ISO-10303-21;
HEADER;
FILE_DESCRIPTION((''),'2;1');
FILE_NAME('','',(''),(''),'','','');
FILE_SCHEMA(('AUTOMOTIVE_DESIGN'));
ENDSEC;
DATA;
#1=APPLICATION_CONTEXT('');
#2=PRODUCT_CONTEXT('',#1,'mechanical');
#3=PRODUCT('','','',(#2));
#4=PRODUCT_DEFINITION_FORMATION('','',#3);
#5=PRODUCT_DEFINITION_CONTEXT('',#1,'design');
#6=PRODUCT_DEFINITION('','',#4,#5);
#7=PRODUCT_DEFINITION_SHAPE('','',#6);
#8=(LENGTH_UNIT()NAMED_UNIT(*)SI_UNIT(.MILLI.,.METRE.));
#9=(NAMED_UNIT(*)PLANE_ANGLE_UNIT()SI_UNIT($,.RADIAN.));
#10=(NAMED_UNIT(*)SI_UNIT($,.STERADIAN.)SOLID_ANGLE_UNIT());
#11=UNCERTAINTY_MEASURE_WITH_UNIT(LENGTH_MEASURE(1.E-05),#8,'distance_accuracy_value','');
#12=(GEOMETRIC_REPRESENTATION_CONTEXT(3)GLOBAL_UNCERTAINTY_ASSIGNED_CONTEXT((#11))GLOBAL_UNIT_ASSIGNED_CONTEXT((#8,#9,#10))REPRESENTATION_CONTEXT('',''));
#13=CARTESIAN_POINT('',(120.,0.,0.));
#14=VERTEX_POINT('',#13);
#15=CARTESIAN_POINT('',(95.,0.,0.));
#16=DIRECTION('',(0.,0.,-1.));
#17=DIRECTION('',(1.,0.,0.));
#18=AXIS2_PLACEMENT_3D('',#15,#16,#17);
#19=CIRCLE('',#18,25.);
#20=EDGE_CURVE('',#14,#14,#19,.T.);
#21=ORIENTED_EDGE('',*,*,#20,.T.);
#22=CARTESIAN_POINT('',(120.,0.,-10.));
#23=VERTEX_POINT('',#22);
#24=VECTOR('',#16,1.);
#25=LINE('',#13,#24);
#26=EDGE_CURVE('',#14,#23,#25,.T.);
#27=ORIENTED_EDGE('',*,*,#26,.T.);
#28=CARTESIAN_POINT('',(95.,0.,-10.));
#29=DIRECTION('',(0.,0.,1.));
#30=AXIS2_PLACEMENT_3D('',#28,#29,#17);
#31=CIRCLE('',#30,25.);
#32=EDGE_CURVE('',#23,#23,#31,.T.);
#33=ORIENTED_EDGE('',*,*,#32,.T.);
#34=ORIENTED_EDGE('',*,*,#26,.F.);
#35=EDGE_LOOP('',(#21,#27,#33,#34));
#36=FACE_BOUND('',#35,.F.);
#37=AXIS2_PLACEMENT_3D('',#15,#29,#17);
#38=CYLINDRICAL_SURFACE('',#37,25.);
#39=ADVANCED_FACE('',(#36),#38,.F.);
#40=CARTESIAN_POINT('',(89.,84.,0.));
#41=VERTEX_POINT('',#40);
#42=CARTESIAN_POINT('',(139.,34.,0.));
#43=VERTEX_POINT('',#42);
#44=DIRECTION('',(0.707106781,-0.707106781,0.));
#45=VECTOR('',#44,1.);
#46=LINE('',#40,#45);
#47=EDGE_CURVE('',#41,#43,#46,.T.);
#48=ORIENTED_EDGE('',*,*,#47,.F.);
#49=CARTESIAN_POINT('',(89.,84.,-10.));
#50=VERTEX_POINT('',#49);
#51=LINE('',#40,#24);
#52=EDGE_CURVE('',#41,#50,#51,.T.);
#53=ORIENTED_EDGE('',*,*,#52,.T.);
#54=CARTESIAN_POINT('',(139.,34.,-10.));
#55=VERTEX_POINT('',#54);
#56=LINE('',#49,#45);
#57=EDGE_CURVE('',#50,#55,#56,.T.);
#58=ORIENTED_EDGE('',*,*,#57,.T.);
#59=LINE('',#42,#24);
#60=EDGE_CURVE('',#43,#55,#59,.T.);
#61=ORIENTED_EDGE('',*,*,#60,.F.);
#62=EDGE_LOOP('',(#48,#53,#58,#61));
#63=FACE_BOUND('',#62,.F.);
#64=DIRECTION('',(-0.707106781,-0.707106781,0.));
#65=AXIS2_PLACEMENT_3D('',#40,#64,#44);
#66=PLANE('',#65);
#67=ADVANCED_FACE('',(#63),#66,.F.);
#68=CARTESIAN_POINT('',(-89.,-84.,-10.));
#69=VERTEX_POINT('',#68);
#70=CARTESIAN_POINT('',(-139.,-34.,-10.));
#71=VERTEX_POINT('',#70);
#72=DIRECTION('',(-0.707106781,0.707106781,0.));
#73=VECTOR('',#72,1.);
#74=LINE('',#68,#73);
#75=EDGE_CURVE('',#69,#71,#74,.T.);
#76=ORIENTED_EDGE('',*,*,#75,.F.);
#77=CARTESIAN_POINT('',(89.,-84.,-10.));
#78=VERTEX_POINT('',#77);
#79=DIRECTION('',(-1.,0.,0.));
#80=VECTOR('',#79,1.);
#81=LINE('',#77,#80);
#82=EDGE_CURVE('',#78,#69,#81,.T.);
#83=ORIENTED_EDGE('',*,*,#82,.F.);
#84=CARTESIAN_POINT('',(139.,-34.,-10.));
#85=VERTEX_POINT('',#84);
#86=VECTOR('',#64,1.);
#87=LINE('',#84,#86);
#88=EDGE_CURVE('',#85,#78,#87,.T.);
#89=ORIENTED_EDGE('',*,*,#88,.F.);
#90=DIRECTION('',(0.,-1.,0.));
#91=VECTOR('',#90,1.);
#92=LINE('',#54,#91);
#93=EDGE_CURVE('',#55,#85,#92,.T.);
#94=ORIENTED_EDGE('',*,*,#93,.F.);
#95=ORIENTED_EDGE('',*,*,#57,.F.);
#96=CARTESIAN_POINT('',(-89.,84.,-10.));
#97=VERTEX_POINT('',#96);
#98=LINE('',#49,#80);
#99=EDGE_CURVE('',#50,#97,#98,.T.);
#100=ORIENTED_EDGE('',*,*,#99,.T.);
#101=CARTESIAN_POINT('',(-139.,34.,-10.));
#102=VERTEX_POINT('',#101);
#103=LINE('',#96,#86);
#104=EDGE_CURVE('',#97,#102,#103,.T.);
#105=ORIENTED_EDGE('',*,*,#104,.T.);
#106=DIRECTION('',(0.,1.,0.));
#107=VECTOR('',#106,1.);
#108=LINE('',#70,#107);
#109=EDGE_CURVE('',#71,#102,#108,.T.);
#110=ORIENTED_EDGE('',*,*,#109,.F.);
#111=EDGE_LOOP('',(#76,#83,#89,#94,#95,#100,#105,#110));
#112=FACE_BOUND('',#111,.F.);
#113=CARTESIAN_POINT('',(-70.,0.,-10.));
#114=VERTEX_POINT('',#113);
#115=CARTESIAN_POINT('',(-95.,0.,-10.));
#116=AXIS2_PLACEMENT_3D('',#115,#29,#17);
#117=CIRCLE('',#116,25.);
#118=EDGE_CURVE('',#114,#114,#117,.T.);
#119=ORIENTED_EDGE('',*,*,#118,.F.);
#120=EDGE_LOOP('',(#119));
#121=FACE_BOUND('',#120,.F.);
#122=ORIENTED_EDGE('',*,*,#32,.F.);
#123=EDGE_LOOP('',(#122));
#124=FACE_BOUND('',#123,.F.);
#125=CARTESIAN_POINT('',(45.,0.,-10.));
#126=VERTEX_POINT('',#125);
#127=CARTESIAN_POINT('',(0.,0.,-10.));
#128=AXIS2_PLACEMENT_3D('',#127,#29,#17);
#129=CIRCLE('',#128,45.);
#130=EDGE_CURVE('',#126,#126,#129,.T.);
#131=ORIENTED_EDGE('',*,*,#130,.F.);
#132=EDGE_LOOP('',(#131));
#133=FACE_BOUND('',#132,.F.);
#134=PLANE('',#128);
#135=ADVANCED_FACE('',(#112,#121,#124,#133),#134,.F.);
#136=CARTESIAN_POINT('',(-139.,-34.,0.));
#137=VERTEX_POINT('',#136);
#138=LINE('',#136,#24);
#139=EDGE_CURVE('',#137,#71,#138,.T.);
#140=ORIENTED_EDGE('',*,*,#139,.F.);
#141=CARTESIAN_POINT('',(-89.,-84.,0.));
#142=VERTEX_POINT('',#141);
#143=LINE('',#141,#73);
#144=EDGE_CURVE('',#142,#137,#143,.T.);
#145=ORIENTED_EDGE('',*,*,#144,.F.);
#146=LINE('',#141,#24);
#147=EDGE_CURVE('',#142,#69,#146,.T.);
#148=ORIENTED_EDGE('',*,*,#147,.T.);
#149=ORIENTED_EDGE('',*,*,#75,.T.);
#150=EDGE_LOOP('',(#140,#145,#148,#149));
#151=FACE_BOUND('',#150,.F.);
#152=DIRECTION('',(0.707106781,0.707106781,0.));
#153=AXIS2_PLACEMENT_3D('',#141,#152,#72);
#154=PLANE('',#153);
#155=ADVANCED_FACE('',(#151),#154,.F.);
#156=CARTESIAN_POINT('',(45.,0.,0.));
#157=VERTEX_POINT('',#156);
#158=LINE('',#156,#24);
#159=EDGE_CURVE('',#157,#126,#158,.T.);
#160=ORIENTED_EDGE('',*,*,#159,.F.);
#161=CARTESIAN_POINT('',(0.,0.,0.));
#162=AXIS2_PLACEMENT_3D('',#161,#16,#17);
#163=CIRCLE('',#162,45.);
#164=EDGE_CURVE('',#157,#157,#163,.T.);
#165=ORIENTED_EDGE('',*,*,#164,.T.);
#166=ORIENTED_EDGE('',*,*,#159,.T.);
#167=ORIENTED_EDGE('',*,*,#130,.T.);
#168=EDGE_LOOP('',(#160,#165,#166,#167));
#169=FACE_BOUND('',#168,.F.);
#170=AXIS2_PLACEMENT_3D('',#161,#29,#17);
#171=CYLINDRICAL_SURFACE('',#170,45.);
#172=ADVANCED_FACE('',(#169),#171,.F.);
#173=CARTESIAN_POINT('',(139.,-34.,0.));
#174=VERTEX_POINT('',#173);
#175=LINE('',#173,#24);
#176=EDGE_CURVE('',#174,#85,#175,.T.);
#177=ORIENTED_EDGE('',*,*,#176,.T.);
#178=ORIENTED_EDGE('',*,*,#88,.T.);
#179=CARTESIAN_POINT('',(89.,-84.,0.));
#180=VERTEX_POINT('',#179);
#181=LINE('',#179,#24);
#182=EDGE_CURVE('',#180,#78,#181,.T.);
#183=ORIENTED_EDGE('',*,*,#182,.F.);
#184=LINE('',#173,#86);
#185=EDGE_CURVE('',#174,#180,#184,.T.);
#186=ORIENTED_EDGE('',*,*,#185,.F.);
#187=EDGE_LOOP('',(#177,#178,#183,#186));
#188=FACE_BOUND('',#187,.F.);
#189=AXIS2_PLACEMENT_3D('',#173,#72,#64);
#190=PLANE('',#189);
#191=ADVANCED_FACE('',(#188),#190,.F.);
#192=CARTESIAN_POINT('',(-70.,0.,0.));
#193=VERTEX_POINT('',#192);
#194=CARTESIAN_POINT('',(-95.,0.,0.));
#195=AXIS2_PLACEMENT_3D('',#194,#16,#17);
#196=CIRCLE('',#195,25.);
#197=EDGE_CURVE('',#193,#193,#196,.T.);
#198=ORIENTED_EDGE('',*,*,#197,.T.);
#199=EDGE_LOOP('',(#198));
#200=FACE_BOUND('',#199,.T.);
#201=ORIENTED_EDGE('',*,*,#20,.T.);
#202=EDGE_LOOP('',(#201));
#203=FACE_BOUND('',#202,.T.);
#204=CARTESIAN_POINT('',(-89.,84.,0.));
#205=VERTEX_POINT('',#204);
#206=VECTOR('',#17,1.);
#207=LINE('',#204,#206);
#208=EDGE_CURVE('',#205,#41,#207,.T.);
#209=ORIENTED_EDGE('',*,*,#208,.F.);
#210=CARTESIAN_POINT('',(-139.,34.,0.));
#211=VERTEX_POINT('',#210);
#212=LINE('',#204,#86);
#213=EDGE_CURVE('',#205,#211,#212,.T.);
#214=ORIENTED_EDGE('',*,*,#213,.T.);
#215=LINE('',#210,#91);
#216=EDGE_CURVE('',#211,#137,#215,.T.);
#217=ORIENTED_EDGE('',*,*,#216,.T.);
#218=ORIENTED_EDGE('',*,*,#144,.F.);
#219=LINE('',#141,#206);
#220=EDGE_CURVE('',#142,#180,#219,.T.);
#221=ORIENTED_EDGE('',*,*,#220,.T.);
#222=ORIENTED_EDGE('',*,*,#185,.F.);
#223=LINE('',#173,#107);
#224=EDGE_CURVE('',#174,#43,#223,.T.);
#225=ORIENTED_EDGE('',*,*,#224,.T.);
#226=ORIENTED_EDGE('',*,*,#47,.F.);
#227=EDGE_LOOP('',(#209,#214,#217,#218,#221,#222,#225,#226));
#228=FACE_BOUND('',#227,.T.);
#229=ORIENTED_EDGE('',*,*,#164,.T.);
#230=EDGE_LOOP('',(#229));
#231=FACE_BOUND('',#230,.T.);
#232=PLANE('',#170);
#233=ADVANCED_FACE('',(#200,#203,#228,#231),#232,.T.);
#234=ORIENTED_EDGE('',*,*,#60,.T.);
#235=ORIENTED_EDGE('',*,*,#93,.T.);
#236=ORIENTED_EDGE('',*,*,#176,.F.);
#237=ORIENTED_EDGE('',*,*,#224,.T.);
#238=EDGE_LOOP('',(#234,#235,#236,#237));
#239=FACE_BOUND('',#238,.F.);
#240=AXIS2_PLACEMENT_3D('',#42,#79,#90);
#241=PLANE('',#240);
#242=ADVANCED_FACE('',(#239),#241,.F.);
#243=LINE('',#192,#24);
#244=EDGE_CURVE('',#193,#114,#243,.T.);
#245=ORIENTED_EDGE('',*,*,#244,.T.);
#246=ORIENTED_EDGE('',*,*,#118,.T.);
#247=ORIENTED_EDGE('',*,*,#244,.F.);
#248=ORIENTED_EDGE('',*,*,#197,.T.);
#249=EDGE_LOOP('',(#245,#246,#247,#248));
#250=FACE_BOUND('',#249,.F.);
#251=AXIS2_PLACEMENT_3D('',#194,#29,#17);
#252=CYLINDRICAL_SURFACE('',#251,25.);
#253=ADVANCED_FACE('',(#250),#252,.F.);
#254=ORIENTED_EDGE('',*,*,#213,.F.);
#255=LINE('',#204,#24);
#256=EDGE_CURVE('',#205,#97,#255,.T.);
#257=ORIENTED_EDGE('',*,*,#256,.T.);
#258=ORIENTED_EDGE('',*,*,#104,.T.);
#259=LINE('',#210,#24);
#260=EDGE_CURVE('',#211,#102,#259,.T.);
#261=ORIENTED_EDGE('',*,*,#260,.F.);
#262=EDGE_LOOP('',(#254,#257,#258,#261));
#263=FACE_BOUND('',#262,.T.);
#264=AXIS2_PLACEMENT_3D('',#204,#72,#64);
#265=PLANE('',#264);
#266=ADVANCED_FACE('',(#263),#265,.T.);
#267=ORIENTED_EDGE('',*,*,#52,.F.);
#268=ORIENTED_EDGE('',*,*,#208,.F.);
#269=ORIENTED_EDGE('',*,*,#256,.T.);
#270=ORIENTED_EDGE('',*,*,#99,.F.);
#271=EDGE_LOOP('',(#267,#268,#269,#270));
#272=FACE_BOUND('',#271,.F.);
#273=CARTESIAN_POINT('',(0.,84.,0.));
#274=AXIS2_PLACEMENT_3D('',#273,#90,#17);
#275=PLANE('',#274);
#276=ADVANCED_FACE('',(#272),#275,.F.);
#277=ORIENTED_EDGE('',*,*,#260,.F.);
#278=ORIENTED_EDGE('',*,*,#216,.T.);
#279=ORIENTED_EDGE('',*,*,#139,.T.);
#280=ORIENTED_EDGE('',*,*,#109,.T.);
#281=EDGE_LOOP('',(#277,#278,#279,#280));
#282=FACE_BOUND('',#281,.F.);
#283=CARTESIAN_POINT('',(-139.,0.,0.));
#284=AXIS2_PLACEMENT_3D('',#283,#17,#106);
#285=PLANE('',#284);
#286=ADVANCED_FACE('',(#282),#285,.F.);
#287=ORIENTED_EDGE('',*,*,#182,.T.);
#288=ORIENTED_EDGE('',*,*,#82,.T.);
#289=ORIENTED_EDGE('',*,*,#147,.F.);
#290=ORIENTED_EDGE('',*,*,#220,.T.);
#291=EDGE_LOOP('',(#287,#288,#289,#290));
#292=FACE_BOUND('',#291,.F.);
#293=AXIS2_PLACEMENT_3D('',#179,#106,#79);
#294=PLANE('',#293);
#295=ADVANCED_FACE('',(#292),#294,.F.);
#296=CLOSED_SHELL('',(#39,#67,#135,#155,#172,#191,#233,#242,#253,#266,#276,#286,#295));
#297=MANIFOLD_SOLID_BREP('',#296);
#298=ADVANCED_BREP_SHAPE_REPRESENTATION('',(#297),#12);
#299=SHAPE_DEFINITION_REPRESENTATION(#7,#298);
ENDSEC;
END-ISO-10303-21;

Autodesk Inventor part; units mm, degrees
ref_plane "YZ Plane" through (0, 0, 0) normal (1, 0, 0) x (0, 1, 0)
ref_plane "XZ Plane" through (0, 0, 0) normal (0, 1, 0) x (-1, 0, 0)
ref_plane "XY Plane" through (0, 0, 0) normal (0, 0, 1) x (1, 0, 0)
sketch "Sketch1" plane through (0, 0, 0) normal (0, 0, 1) x (1, 0, 0)
  line L0 (0, 117.6) -> (0, -117.6) projected
  line L1 (-194.6, 0) -> (194.6, 0) projected
  line L2 (-89, 84) -> (89, 84)
  line L3 (139, 34) -> (139, -34)
  line L4 (89, -84) -> (-89, -84)
  line L5 (-139, -34) -> (-139, 34)
  circle A0 centre (-95, 0) radius 25
  circle A1 centre (95, 0) radius 25
  circle A2 centre (0, 0) radius 45
  line L6 (-89, 84) -> (-139, 34)
  line L7 (89, 84) -> (139, 34)
  line L8 (139, -34) -> (89, -84)
  line L9 (-89, -84) -> (-139, -34)
  point P0 (-139, 84)
  point P1 (139, 84)
  point P2 (-139, -84)
  point P3 (139, -84)
  dimension "d0" = 278
  dimension "d1" = 168
  dimension "d8" = 50
  dimension "d9" = 190
  dimension "d10" = 95
  dimension "d11" = 90
  dimension "d12" = 50
  dimension "d13" = 50
  dimension "d14" = 50
  dimension "d15" = 50
  dimension "d16" = 50
  dimension "d17" = 50
  dimension "d18" = 50
  dimension "d19" = 50
extrude "Extrusion2" add sketch "Sketch1" against normal blind 10 contours L2 L7 L3 L1 A1 A2 L0 | L0 A2 L1 A0 L5 L6 L2 | L1 A1 L3 L8 L4 L0 A2 | A2 L0 L4 L9 L5 L1 A0
equation "\"d13\" = d12"
equation "\"d14\" = d12"
equation "\"d15\" = d14"
equation "\"d16\" = d12"
equation "\"d17\" = d16"
equation "\"d18\" = d12"
equation "\"d19\" = d18"
properties part number "SlipersLåda 211018004"
